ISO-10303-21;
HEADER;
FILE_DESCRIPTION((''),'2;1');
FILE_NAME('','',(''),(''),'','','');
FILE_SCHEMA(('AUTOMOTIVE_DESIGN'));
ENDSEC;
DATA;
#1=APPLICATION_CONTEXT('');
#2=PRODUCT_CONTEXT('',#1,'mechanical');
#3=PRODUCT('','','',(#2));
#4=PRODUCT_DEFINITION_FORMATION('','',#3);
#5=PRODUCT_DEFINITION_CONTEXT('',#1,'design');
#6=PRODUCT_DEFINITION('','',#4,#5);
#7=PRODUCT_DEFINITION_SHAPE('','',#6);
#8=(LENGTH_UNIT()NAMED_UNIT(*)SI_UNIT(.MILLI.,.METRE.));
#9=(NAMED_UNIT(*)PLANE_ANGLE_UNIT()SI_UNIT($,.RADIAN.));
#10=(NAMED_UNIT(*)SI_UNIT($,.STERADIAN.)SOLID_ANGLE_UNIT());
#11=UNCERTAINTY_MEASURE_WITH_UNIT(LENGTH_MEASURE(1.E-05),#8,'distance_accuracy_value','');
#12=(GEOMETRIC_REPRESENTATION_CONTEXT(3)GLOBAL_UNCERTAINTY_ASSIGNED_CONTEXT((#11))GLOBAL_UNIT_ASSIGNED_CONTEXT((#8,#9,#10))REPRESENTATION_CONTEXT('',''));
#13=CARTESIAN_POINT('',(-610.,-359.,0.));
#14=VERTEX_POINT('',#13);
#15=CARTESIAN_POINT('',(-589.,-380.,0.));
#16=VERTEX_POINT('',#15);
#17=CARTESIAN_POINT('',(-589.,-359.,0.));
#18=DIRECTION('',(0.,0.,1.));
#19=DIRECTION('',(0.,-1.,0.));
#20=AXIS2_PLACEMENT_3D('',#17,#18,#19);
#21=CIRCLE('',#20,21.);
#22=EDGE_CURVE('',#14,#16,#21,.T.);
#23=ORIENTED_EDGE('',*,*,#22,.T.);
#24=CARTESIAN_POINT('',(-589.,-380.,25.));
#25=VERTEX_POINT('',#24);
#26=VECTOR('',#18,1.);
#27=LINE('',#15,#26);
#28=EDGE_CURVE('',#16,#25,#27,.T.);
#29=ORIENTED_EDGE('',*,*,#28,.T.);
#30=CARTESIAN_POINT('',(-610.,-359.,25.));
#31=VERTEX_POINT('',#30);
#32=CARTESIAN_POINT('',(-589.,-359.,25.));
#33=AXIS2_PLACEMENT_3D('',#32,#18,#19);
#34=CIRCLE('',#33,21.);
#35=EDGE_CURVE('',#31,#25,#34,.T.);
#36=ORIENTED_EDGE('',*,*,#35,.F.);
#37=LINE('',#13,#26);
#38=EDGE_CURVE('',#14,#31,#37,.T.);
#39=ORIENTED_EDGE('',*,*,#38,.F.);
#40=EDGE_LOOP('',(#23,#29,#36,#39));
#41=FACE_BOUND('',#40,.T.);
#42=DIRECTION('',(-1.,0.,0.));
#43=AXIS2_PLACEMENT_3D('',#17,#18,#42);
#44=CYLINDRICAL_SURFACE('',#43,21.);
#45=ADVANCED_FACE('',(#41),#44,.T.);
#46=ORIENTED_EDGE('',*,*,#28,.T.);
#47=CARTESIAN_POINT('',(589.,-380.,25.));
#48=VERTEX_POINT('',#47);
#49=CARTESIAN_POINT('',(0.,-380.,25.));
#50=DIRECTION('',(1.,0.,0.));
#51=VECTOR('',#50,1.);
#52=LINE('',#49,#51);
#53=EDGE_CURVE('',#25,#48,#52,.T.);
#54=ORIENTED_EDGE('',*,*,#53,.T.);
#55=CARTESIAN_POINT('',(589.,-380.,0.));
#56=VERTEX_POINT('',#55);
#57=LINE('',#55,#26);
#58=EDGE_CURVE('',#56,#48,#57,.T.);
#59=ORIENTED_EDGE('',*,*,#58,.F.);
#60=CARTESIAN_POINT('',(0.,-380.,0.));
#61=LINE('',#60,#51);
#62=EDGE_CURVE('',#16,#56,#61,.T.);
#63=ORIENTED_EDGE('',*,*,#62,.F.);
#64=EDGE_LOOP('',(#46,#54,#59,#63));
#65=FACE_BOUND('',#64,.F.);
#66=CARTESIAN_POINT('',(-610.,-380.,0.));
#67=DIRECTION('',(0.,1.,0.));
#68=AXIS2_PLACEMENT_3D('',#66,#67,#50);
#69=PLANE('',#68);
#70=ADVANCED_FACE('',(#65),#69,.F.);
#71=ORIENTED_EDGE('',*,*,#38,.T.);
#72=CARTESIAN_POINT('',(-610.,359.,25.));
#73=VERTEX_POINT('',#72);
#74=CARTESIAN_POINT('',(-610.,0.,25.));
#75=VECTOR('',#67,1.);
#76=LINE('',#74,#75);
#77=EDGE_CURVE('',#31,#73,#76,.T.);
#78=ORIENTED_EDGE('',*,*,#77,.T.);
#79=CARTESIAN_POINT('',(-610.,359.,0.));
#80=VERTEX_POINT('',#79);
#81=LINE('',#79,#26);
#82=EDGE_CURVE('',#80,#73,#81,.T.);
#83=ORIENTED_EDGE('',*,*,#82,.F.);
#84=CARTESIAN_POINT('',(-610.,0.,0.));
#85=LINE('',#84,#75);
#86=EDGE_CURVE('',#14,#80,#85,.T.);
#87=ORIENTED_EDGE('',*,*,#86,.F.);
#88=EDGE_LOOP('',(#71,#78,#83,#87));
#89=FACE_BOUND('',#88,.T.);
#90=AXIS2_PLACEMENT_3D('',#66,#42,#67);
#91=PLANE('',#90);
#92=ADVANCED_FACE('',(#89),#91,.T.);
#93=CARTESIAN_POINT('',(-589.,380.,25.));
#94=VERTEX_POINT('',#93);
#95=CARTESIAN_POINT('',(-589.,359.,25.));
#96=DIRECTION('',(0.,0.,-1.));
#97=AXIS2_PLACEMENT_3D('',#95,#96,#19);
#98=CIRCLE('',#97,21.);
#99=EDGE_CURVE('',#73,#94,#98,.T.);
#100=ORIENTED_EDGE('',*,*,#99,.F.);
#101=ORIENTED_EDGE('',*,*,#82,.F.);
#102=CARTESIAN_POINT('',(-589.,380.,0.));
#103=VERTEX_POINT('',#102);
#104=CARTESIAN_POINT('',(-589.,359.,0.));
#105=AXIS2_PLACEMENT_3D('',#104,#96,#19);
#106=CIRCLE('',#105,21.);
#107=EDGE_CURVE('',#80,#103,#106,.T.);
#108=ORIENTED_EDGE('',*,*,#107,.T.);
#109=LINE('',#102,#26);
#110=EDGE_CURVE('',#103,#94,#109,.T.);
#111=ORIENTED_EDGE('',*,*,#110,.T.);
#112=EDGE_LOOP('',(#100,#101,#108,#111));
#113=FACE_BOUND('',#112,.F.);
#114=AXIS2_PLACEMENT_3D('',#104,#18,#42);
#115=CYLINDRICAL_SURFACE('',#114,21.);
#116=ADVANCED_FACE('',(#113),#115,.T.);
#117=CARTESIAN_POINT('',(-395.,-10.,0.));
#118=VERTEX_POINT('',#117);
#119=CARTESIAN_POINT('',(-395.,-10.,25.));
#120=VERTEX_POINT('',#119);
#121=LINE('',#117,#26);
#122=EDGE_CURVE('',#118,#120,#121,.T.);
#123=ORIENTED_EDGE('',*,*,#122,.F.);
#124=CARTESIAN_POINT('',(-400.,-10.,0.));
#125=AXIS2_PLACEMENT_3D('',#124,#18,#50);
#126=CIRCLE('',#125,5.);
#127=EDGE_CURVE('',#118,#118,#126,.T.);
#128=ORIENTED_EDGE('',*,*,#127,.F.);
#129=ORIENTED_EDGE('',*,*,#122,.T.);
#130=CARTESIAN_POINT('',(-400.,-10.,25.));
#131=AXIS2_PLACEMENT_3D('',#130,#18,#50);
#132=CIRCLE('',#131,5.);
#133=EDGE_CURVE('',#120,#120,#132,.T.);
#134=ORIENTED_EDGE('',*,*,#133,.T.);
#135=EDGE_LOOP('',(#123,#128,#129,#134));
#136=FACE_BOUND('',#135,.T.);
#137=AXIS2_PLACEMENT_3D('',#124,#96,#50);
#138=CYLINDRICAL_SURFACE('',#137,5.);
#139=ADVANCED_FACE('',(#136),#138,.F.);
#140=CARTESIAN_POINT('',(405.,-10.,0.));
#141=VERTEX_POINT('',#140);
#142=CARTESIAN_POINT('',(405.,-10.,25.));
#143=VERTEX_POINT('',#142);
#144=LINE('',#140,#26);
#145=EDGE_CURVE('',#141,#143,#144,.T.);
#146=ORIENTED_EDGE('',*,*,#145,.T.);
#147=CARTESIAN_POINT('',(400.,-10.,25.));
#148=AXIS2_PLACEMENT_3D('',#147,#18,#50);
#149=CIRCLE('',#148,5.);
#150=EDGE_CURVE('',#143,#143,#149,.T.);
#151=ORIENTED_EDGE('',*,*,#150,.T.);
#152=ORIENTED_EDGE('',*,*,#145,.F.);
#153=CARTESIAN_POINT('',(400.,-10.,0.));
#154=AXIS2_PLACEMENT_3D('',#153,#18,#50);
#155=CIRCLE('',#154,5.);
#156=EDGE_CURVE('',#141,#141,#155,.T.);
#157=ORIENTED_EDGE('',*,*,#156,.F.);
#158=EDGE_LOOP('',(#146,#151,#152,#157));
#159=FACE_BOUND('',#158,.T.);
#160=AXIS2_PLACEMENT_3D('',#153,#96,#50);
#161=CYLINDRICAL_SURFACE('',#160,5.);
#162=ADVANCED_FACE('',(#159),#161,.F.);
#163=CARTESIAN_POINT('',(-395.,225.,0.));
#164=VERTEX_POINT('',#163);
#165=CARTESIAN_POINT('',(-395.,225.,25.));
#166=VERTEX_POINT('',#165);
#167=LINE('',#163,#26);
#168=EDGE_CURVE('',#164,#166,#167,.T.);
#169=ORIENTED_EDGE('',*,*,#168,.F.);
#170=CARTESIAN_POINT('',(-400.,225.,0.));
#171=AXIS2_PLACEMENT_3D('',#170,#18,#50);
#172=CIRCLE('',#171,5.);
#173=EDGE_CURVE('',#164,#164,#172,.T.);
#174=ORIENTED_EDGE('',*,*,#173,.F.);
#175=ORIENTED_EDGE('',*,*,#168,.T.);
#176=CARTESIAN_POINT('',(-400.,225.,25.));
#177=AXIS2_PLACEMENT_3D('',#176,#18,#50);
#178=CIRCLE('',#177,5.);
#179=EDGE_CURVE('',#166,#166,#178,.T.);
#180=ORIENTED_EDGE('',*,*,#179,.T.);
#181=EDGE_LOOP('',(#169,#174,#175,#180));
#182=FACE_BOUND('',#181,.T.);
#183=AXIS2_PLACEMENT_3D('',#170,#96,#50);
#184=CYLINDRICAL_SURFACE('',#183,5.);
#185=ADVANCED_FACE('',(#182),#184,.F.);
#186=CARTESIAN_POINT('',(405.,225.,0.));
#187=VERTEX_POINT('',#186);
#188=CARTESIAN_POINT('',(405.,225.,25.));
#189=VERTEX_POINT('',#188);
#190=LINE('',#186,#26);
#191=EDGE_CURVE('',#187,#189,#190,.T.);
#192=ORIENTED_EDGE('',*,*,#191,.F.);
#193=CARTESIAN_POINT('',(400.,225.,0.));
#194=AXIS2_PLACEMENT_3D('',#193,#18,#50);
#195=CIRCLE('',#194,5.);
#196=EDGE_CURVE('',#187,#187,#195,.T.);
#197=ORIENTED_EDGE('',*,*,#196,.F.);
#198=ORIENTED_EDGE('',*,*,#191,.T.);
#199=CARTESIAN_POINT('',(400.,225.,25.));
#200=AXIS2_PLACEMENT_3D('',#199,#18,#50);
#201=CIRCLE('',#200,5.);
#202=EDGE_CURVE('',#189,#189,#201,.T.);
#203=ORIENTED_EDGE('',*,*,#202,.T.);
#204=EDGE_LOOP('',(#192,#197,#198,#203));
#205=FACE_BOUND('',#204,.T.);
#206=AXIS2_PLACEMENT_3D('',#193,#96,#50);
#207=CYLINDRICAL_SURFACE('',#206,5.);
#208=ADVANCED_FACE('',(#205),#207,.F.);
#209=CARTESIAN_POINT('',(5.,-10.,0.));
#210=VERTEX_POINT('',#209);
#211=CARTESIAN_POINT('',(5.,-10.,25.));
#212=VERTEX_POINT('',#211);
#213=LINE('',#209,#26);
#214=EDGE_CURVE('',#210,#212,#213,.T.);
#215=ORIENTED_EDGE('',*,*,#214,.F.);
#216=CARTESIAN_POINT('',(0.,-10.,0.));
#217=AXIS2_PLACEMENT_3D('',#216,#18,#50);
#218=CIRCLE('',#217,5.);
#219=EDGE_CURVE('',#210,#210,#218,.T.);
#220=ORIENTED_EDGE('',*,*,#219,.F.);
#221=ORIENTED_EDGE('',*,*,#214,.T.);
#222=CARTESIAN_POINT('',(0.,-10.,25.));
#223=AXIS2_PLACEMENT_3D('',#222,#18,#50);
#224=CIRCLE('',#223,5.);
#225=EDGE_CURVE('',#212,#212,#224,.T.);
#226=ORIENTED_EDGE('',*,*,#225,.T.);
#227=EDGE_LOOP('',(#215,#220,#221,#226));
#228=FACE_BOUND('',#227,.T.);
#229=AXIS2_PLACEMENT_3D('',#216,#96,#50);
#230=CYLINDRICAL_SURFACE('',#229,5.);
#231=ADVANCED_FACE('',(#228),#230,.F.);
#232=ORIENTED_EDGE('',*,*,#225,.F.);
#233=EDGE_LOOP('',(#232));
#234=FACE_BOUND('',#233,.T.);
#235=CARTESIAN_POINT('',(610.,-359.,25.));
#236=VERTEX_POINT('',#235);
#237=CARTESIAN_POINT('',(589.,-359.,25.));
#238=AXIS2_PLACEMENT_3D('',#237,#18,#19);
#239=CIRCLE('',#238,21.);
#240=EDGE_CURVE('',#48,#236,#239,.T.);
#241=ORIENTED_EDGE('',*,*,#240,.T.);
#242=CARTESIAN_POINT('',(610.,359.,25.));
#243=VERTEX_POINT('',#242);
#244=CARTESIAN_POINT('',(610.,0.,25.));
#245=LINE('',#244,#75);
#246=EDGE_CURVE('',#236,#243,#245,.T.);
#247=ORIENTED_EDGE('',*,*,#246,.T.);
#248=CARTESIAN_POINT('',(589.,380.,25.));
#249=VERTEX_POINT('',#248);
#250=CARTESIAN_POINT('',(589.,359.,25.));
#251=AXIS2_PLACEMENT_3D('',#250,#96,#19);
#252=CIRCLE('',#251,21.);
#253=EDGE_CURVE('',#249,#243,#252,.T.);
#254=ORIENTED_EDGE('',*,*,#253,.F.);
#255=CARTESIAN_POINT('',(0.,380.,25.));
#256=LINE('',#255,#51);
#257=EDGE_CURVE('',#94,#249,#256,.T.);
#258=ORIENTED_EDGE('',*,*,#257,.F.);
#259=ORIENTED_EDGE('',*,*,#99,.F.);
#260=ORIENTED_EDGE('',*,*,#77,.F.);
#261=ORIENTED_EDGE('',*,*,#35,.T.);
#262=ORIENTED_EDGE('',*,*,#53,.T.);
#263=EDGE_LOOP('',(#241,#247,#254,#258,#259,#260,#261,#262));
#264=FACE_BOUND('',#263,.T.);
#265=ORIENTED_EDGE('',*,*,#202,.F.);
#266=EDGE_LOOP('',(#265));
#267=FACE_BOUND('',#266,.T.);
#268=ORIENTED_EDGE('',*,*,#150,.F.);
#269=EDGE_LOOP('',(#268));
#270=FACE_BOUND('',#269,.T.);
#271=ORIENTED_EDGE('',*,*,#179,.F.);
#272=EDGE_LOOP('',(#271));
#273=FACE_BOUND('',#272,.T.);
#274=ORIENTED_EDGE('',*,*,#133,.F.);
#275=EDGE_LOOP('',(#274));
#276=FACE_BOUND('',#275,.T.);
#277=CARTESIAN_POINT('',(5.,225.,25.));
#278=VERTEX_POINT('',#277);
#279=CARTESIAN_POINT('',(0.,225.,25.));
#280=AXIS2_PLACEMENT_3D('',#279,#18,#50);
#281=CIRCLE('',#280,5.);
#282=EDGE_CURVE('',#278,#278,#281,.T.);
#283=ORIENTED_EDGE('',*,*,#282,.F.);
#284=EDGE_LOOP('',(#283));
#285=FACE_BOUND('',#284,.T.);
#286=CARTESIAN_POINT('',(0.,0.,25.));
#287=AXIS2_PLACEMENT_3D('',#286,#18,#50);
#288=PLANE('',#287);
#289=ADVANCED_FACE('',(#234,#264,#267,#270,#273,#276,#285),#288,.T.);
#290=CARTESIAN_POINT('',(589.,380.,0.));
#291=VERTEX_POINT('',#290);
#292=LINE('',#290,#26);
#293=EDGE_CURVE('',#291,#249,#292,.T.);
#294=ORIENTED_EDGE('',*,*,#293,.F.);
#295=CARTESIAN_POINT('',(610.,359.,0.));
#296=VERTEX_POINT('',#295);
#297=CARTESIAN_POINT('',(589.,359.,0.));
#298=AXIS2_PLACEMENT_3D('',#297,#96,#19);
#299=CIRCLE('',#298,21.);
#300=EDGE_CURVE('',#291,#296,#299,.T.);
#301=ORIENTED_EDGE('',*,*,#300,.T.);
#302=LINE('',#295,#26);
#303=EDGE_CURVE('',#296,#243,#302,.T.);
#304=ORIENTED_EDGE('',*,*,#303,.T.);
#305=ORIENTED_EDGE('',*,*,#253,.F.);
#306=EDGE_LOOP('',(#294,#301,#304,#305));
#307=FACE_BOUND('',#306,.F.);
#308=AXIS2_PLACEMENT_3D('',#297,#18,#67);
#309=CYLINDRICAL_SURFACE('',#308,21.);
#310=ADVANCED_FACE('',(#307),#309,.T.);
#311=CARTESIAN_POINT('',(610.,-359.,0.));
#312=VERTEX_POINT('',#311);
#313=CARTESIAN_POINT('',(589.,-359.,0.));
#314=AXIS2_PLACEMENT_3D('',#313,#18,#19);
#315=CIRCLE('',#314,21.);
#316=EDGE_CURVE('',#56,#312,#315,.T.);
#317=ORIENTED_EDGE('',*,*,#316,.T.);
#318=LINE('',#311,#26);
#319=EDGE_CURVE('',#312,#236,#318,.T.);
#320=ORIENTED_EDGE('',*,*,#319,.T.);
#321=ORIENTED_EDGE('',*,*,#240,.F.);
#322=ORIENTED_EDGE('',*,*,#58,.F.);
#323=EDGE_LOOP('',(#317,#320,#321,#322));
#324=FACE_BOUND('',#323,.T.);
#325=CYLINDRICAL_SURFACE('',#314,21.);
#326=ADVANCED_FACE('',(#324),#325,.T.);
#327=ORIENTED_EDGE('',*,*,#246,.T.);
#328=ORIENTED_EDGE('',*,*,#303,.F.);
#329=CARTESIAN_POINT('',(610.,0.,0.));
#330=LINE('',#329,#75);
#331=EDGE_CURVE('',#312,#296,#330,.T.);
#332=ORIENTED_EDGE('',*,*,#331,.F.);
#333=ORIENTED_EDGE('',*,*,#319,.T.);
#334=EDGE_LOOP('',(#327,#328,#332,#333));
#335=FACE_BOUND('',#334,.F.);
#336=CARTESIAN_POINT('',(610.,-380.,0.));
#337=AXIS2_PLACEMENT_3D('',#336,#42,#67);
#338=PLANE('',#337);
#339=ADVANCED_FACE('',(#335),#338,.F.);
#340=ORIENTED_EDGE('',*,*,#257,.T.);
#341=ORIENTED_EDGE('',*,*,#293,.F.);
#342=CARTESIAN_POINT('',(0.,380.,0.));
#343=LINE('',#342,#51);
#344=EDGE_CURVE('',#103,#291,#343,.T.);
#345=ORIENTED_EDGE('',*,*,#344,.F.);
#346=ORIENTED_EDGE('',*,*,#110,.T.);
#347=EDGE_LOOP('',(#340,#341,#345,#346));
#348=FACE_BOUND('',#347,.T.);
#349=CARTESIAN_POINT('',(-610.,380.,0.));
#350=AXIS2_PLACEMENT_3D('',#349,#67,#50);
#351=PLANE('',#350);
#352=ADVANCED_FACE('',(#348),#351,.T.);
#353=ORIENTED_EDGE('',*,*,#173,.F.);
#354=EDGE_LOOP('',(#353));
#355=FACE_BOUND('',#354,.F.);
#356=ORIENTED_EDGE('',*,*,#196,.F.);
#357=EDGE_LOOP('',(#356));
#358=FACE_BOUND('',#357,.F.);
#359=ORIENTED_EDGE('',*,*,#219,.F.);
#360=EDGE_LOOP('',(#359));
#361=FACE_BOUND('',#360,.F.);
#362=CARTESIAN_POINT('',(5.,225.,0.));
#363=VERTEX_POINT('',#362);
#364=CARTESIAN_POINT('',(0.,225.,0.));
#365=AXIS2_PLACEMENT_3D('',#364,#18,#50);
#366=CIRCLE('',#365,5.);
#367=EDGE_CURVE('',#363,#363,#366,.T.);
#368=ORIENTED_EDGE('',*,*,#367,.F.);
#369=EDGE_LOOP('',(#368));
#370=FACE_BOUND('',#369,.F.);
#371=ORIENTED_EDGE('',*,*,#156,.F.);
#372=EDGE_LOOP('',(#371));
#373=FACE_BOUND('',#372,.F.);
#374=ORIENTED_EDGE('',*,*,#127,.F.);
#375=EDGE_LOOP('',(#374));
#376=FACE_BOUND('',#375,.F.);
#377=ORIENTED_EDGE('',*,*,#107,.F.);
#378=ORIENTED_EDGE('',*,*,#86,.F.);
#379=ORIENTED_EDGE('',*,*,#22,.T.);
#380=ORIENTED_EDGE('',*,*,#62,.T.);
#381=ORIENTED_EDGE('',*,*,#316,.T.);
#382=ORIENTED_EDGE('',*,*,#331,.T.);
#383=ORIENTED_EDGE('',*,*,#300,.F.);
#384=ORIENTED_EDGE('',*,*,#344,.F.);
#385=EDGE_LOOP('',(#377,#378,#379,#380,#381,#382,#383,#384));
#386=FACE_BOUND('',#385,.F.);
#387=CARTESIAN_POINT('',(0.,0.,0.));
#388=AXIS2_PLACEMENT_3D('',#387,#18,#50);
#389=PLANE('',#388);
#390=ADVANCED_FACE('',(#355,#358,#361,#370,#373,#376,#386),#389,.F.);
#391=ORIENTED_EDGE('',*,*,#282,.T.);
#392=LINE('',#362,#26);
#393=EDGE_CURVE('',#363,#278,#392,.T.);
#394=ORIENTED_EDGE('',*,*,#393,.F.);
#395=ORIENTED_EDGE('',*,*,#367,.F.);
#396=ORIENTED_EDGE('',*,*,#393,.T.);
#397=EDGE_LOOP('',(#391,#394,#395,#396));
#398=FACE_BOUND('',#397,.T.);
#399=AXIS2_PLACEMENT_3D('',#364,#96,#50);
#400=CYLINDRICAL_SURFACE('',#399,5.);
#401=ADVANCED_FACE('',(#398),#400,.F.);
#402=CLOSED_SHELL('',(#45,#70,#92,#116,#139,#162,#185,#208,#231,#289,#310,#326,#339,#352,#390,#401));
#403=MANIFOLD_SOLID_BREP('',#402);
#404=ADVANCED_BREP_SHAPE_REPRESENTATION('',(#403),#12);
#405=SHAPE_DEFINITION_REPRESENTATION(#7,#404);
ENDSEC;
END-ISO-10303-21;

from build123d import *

# Parameters (mm, degrees)
SKETCH_W  = 1220
SKETCH_H  = 760
SKETCH_R  = 5
PAD_DEPTH = 25
FILLET_R  = 21


with BuildPart() as part:
    # Sketch → Pad (new body)
    with BuildSketch(Plane.XY):
        Rectangle(SKETCH_W, SKETCH_H)
        with Locations((-400, 225)):
            Circle(SKETCH_R, mode=Mode.SUBTRACT)
        with Locations((-400, -10)):
            Circle(SKETCH_R, mode=Mode.SUBTRACT)
        with Locations((0, -10)):
            Circle(SKETCH_R, mode=Mode.SUBTRACT)
        with Locations((400, -10)):
            Circle(SKETCH_R, mode=Mode.SUBTRACT)
        with Locations((400, 225)):
            Circle(SKETCH_R, mode=Mode.SUBTRACT)
        with Locations((0, 225)):
            Circle(SKETCH_R, mode=Mode.SUBTRACT)
    extrude(amount=PAD_DEPTH)

    # Fillet
    fillet_edges = [part.edges().sort_by_distance(p)[0] for p in [
        (-610, -380, 12.5),
        (610, -380, 12.5),
        (610, 380, 12.5),
        (-610, 380, 12.5),
    ]]
    fillet(fillet_edges, radius=FILLET_R)


solid = part.part
